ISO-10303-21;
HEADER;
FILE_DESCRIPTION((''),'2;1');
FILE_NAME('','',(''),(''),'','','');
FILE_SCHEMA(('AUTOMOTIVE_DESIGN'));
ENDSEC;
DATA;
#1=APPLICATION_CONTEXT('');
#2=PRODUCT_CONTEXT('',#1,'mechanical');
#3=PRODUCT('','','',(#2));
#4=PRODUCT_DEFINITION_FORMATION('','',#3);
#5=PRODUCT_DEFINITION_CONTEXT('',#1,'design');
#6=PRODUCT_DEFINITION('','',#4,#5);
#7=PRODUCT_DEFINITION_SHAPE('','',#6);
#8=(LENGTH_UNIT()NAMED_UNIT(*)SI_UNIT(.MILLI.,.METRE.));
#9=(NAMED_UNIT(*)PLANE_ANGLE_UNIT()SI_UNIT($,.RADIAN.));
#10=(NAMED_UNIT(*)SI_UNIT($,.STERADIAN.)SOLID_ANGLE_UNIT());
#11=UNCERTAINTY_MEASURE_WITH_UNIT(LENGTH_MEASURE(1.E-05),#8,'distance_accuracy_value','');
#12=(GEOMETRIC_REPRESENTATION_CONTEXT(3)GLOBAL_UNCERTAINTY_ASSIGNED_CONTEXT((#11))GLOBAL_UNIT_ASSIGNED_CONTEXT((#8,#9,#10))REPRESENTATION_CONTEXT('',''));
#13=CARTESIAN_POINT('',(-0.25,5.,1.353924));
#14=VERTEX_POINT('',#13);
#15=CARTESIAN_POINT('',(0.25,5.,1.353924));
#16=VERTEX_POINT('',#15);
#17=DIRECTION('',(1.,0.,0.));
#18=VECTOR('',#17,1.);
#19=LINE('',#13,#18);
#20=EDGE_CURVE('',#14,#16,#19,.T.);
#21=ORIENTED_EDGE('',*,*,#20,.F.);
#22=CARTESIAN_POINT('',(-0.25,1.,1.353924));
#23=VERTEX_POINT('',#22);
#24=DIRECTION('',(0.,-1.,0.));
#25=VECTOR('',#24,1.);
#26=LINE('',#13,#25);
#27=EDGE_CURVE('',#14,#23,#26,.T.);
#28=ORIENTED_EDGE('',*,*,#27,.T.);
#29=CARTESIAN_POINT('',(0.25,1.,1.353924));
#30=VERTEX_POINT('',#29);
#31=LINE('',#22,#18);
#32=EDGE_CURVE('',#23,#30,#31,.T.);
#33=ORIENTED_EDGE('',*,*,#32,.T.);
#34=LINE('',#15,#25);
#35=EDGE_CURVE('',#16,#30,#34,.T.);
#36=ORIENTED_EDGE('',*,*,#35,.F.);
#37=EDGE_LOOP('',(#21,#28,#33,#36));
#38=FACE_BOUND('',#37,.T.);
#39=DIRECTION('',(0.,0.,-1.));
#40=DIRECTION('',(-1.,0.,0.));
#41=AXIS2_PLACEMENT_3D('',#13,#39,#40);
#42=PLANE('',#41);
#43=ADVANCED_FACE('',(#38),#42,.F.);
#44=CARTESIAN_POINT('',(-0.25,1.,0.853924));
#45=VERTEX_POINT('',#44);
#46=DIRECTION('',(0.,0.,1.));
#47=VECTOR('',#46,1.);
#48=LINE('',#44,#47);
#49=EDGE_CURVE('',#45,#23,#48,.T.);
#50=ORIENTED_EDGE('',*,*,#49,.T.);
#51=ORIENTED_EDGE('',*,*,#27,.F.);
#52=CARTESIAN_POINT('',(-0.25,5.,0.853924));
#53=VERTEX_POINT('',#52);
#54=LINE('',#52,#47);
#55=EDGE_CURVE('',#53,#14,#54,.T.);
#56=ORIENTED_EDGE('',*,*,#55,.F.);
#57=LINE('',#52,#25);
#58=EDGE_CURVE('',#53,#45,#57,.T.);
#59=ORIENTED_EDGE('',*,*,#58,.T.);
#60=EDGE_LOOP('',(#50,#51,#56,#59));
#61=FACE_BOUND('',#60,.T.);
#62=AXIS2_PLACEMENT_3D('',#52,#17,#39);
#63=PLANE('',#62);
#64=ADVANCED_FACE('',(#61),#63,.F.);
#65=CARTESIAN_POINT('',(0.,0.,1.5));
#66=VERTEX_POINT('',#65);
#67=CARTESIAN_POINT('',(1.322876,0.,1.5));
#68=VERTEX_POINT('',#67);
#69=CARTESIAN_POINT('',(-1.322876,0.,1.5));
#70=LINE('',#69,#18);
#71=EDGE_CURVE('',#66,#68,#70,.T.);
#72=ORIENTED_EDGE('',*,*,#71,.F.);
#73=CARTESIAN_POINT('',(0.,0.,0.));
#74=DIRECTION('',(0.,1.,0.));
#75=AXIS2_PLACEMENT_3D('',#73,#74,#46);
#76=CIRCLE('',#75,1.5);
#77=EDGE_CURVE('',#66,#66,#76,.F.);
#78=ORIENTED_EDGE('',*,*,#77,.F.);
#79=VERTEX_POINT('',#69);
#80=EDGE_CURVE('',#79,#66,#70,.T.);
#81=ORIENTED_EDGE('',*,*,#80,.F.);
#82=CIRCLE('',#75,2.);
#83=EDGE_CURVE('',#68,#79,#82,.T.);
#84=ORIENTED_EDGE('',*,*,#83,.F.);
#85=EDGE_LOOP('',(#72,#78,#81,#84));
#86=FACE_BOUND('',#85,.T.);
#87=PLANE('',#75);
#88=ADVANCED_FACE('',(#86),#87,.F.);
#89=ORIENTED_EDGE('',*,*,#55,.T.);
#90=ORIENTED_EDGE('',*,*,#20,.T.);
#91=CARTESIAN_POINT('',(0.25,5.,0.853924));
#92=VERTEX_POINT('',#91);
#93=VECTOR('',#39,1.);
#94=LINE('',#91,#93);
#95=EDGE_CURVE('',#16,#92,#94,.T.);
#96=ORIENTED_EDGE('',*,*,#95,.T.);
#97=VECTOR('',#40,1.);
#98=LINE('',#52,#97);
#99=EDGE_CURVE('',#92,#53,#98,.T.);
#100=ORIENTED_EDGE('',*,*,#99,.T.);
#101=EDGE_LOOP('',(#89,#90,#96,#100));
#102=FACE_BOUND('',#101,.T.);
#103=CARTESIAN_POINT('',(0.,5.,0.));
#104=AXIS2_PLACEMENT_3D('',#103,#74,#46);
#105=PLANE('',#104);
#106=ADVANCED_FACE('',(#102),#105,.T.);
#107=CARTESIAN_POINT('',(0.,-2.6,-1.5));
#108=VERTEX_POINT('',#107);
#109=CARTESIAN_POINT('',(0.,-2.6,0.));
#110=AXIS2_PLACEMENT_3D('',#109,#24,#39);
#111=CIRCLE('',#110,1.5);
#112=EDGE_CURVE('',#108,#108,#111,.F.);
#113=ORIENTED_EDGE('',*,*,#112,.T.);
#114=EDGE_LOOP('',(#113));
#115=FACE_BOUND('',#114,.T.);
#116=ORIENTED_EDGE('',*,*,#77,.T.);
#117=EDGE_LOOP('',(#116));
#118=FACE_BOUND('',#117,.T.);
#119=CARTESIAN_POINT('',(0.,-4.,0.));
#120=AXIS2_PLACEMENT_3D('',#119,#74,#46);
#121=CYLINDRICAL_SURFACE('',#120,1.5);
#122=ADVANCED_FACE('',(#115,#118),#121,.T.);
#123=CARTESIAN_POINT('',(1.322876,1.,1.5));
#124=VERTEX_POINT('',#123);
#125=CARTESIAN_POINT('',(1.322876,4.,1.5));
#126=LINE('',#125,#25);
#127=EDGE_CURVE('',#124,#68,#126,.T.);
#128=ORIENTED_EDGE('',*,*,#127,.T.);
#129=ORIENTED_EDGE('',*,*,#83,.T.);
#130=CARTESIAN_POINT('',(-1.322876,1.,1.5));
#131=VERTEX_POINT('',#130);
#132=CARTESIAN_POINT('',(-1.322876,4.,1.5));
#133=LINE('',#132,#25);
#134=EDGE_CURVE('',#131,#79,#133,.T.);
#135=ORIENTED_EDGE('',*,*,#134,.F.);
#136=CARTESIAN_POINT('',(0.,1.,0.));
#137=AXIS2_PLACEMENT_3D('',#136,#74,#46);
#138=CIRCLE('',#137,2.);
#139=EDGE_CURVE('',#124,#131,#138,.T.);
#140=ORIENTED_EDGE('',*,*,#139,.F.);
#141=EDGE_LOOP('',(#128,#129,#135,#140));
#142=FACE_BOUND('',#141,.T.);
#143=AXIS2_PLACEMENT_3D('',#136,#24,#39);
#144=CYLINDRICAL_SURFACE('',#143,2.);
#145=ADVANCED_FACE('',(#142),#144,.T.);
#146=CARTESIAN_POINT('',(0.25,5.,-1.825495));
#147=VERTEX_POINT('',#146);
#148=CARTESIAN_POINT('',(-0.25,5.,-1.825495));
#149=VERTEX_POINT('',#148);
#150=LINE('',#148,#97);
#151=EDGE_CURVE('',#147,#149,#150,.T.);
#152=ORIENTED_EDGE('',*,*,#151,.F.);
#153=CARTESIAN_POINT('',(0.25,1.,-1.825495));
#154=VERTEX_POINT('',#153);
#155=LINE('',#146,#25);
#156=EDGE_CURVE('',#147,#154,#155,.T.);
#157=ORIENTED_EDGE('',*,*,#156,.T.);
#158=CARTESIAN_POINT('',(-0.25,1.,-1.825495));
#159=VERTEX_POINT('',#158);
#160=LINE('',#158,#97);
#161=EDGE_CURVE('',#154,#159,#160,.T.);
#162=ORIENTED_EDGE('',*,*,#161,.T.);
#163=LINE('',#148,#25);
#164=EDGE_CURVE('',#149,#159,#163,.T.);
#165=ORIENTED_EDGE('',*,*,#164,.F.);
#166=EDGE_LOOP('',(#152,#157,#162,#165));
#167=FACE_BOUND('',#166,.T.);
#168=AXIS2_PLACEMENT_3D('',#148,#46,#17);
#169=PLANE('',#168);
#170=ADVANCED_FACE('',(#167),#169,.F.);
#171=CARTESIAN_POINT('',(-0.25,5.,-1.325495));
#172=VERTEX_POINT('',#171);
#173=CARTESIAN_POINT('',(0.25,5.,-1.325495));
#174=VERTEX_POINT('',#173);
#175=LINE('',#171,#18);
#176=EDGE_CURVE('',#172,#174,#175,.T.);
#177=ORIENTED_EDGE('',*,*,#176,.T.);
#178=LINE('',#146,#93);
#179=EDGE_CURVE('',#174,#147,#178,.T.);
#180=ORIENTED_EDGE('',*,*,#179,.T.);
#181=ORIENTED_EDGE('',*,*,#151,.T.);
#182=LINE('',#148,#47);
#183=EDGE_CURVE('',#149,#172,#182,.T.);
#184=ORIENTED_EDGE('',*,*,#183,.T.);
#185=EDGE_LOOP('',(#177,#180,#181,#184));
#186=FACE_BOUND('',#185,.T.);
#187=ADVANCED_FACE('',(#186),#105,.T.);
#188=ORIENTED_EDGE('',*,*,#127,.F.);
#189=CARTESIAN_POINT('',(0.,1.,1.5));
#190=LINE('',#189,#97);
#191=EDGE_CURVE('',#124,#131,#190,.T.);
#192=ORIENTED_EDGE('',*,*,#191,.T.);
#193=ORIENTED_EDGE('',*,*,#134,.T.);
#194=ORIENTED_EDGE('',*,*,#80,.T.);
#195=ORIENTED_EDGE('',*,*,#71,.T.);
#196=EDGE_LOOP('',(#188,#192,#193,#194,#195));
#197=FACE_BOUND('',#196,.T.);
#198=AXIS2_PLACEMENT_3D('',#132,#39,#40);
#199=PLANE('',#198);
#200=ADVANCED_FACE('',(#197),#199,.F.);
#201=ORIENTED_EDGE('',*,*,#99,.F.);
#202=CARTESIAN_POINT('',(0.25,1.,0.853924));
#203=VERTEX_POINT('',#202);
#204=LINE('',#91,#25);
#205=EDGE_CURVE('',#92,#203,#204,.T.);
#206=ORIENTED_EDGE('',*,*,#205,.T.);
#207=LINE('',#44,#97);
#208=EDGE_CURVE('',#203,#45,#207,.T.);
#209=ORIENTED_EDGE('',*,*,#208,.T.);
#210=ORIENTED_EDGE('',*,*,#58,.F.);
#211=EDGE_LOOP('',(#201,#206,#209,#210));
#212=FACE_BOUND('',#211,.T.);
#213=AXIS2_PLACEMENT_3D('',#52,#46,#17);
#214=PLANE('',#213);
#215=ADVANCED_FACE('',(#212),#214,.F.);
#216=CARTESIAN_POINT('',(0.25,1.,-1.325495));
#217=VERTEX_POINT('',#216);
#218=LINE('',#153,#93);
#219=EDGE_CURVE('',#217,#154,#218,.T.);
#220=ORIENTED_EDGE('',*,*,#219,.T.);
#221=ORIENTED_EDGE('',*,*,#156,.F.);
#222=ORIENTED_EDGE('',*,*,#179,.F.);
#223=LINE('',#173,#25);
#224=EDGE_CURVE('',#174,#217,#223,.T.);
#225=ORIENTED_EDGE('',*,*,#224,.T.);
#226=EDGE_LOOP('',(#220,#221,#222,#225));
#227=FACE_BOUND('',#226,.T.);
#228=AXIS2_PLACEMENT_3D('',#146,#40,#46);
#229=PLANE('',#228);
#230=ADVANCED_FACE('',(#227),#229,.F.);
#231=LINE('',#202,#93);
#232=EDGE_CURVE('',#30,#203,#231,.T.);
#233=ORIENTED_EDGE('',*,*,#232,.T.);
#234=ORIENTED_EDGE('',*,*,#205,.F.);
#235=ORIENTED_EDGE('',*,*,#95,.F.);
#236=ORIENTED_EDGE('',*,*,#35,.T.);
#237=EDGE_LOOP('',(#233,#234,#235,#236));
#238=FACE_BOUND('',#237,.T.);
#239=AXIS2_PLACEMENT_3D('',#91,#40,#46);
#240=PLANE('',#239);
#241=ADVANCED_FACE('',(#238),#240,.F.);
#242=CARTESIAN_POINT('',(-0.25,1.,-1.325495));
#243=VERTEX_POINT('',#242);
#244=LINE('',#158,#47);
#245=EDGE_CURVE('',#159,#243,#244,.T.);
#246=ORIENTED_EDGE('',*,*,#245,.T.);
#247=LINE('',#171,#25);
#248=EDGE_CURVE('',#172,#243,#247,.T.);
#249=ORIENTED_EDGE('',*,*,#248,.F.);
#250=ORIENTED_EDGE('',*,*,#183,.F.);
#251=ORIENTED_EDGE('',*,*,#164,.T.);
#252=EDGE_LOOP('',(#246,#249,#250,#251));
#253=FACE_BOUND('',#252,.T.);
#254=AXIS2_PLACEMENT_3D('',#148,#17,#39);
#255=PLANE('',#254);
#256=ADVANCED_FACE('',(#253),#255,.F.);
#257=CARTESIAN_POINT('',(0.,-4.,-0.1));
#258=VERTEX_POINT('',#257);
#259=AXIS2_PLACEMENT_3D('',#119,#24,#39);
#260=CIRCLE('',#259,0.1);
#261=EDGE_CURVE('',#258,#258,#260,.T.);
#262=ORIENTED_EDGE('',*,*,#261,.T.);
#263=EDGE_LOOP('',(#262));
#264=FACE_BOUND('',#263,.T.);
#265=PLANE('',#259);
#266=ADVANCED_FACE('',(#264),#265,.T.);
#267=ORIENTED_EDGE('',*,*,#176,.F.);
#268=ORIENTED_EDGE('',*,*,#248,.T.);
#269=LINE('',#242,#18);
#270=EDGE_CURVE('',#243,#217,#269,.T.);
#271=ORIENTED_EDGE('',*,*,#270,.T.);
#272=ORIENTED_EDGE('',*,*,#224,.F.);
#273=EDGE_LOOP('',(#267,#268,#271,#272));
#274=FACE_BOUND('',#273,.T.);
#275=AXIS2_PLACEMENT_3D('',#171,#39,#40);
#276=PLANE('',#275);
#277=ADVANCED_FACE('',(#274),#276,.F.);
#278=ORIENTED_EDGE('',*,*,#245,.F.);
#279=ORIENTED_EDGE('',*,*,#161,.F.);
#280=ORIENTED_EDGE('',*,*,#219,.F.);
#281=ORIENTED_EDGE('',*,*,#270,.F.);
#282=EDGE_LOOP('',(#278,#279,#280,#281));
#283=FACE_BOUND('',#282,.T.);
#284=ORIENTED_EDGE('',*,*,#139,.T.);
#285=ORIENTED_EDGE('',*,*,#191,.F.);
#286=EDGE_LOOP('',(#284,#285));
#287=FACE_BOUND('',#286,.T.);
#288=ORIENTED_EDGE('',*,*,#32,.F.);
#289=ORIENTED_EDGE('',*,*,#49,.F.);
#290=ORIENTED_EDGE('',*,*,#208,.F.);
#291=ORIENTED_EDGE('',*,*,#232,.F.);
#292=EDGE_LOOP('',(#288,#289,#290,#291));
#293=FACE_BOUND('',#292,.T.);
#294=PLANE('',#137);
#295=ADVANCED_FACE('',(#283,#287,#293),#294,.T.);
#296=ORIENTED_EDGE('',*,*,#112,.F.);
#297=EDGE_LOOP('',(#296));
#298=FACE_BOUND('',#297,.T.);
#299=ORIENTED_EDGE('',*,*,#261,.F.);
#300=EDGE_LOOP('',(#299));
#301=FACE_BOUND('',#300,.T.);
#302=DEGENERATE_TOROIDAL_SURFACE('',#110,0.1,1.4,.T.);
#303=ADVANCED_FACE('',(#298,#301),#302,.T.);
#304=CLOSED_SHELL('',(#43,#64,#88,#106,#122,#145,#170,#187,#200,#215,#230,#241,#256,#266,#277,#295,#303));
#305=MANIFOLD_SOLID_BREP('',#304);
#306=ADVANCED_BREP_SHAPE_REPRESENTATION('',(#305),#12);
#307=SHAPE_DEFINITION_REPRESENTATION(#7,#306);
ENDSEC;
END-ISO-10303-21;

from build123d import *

# Parameters (mm, degrees)
SKETCH_1_R          = 2
EXTRUDE_1_DEPTH     = 1
SKETCH_2_R          = 1.5
EXTRUDE_2_DEPTH     = 4
FILLET_1_R          = 1.4
CUT_EXTRUDE_1_DEPTH = 4
SKETCH_4_W          = 0.5
SKETCH_4_H          = 0.5
EXTRUDE_3_DEPTH     = 4


with BuildPart() as part:
    # Эскиз1 → Бобышка-Вытянуть1 (new body)
    with BuildSketch(Plane(origin=(0, 0, 0), x_dir=(1, 0, 0), z_dir=(0, 1, 0))):
        Circle(SKETCH_1_R)
    extrude(amount=EXTRUDE_1_DEPTH)

    # Эскиз2 → Бобышка-Вытянуть2 (add)
    with BuildSketch(Plane(origin=(0, 0, 0), x_dir=(-1, 0, 0), z_dir=(0, -1, 0))):
        Circle(SKETCH_2_R)
    extrude(amount=EXTRUDE_2_DEPTH)

    # Скругление1
    fillet_1_edges = [part.edges().sort_by_distance(p)[0] for p in [
        (1.5, -4, 0),
    ]]
    fillet(fillet_1_edges, radius=FILLET_1_R)

    # Эскиз3 → Вырез-Вытянуть1 (cut)
    with BuildSketch(Plane.XZ):
        with BuildLine():
            Line((-1.322875656, 1.5), (1.322875656, 1.5))
            ThreePointArc((1.322875656, 1.5), (0, 2), (-1.322875656, 1.5))
        make_face()
    extrude(amount=-CUT_EXTRUDE_1_DEPTH, mode=Mode.SUBTRACT)

    # Эскиз4 → Бобышка-Вытянуть3 (add)
    with BuildSketch(Plane(origin=(0, 1, 0), x_dir=(1, 0, 0), z_dir=(0, 1, 0))):
        with Locations((0, -1.103924033)):
            Rectangle(SKETCH_4_W, SKETCH_4_H)
        with Locations((0, 1.575495182)):
            Rectangle(SKETCH_4_W, SKETCH_4_H)
    extrude(amount=EXTRUDE_3_DEPTH)


solid = part.part
